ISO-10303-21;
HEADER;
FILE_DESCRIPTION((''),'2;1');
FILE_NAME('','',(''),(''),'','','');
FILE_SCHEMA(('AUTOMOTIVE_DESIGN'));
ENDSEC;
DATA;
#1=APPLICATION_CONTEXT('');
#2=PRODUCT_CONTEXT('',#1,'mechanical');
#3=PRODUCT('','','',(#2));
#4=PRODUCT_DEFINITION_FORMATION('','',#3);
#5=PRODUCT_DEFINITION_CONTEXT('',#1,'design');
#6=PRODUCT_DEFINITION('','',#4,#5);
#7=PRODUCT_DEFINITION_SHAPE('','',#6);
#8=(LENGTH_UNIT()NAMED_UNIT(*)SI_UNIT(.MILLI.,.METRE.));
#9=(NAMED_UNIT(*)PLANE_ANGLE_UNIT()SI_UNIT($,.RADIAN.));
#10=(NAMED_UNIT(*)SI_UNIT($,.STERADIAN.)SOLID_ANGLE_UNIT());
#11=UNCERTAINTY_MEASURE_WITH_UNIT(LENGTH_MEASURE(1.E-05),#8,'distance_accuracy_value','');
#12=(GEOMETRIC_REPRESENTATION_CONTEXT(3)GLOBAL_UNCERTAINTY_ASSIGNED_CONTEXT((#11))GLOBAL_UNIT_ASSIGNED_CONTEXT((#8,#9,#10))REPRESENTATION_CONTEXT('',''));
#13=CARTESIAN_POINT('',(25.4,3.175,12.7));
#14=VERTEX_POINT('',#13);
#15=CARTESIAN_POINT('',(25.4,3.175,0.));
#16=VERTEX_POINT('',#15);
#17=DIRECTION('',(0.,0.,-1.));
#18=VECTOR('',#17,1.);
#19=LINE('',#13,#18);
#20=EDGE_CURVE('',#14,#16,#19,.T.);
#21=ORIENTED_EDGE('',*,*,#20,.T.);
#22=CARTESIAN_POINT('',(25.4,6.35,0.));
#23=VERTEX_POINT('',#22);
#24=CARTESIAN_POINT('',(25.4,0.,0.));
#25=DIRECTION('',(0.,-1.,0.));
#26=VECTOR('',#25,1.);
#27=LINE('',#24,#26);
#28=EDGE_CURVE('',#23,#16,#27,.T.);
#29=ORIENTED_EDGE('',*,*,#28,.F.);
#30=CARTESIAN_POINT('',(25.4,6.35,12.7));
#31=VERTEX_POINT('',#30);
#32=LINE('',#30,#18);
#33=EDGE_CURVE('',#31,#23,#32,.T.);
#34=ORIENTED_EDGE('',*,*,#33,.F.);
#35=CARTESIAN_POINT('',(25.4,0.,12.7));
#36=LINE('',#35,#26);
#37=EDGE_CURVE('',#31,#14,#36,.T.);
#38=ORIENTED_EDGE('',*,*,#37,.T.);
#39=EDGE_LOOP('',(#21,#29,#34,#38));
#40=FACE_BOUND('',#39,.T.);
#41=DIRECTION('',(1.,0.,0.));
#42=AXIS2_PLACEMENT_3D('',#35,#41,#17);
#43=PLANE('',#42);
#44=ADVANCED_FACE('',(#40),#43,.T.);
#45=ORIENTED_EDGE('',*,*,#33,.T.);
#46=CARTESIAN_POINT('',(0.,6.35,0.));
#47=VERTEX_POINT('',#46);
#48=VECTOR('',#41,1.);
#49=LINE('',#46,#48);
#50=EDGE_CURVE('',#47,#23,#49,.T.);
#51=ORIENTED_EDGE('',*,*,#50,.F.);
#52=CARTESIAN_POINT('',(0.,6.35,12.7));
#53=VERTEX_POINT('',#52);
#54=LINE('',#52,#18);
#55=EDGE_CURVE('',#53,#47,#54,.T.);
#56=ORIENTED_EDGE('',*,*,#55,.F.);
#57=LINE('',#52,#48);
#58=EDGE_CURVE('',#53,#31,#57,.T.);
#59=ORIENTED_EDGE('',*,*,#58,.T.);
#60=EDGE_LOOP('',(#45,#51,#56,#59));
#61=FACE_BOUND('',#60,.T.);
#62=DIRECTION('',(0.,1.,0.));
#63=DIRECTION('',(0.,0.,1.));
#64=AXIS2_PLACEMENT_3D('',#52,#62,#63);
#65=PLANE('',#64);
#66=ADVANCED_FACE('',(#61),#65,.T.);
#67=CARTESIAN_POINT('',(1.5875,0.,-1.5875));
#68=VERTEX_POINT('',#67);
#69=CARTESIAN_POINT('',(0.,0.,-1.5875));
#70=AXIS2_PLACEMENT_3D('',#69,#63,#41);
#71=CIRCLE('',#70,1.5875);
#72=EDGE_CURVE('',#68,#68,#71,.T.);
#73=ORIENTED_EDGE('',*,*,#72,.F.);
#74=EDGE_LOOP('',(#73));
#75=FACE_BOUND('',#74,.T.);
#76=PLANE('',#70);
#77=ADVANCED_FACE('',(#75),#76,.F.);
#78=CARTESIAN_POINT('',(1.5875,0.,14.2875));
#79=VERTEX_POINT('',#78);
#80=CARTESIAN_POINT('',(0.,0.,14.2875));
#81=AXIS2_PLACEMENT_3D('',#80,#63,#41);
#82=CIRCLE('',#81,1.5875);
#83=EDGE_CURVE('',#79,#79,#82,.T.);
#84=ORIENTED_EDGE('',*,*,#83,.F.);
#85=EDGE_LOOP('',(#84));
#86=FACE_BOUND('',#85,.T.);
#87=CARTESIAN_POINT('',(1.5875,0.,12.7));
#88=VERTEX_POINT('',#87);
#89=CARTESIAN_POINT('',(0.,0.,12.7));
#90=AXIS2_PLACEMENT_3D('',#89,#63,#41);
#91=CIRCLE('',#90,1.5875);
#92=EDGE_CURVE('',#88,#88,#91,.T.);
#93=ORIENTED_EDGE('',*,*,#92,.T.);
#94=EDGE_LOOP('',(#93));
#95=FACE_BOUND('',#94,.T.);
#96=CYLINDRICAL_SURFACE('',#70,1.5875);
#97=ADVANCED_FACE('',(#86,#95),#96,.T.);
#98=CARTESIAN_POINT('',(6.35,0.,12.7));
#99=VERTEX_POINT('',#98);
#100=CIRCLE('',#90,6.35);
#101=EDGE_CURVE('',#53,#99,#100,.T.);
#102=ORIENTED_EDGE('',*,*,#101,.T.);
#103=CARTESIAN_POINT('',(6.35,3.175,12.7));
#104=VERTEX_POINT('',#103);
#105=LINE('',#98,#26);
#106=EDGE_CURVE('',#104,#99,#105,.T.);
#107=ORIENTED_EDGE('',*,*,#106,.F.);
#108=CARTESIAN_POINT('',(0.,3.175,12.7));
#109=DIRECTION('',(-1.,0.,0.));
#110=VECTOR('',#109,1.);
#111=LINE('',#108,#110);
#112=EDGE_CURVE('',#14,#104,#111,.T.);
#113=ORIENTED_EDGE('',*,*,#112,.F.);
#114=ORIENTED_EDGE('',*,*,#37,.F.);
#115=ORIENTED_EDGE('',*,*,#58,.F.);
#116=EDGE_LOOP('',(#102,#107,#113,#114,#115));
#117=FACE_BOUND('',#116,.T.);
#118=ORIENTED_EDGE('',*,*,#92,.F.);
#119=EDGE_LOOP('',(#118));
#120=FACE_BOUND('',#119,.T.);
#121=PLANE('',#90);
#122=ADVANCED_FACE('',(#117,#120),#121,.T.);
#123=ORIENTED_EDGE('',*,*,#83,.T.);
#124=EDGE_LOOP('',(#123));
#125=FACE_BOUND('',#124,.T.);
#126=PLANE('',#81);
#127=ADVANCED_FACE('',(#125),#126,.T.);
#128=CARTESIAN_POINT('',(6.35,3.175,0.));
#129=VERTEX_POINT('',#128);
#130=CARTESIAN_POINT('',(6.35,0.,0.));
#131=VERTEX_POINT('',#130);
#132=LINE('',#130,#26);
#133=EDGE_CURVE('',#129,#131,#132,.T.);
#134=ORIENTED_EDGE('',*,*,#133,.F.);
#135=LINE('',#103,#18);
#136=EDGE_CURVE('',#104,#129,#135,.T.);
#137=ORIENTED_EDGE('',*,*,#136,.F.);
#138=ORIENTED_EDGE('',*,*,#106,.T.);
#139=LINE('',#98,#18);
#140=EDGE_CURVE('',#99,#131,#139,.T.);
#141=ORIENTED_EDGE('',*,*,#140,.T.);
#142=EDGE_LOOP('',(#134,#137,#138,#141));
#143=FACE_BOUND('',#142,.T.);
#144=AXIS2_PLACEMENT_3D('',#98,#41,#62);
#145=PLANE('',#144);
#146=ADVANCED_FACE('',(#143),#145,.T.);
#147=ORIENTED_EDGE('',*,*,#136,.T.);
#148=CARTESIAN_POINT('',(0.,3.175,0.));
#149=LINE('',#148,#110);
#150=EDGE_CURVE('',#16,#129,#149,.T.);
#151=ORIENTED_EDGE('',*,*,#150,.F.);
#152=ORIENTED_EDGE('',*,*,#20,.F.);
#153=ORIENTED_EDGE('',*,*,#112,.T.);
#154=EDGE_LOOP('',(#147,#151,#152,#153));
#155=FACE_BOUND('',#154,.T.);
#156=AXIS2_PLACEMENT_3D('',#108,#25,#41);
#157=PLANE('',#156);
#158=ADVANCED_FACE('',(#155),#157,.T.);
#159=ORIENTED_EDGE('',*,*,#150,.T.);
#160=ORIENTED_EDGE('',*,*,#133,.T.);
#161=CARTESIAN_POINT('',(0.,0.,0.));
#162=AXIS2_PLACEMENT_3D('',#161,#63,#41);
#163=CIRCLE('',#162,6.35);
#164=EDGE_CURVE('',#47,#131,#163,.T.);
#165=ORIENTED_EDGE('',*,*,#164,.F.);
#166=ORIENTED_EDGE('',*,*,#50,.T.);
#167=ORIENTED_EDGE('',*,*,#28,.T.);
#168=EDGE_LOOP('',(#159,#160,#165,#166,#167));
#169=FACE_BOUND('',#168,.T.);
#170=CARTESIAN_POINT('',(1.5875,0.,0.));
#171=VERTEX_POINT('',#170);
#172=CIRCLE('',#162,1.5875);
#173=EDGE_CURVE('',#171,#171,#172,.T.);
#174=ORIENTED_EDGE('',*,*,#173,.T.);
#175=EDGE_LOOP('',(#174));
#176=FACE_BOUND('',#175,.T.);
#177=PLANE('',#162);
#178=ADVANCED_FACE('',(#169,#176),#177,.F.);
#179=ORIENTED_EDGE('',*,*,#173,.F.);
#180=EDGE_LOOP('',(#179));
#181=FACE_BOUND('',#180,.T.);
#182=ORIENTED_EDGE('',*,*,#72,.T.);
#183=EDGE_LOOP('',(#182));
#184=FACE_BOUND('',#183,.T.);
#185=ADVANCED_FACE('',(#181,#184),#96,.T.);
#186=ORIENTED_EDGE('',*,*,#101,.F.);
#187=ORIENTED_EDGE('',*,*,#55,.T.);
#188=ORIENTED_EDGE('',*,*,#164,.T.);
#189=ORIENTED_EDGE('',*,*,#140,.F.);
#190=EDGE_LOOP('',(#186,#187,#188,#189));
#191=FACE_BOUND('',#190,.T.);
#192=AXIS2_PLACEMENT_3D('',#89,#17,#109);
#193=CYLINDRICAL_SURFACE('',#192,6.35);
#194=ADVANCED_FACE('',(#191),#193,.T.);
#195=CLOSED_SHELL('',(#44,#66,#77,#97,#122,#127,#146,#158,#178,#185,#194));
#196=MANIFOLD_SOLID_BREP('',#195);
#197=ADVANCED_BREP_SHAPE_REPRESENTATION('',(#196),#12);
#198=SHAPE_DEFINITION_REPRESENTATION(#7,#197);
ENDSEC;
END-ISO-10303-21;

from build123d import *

# Parameters (mm, degrees)
SKETCH1_R                = 1.5875
BOSS_EXTRUDE1_DEPTH      = 12.7
BOSS_EXTRUDE2_DEPTH      = 14.2875
BOSS_EXTRUDE2_DEPTH_BACK = 1.5875
SKETCH1_3_R              = 1.5875


with BuildPart() as part:
    # Sketch1 → Boss-Extrude1 (new body)
    with BuildSketch(Plane.XY):
        with BuildLine():
            Line((25.4, 6.35), (0, 6.35))
            ThreePointArc((0, 6.35), (-4.490128061, -4.490128061), (6.35, 0))
            Line((6.35, 0), (6.35, 3.175))
            Line((6.35, 3.175), (25.4, 3.175))
            Line((25.4, 3.175), (25.4, 6.35))
        make_face()
        Circle(SKETCH1_R, mode=Mode.SUBTRACT)
    extrude(amount=BOSS_EXTRUDE1_DEPTH)

    # Sketch1<3> → Boss-Extrude2 (add, two sides: drawn at the far end of the back side and taken through both)
    with BuildSketch(Plane.XY.offset(-BOSS_EXTRUDE2_DEPTH_BACK)):
        Circle(SKETCH1_3_R)
    extrude(amount=BOSS_EXTRUDE2_DEPTH + BOSS_EXTRUDE2_DEPTH_BACK)


solid = part.part
